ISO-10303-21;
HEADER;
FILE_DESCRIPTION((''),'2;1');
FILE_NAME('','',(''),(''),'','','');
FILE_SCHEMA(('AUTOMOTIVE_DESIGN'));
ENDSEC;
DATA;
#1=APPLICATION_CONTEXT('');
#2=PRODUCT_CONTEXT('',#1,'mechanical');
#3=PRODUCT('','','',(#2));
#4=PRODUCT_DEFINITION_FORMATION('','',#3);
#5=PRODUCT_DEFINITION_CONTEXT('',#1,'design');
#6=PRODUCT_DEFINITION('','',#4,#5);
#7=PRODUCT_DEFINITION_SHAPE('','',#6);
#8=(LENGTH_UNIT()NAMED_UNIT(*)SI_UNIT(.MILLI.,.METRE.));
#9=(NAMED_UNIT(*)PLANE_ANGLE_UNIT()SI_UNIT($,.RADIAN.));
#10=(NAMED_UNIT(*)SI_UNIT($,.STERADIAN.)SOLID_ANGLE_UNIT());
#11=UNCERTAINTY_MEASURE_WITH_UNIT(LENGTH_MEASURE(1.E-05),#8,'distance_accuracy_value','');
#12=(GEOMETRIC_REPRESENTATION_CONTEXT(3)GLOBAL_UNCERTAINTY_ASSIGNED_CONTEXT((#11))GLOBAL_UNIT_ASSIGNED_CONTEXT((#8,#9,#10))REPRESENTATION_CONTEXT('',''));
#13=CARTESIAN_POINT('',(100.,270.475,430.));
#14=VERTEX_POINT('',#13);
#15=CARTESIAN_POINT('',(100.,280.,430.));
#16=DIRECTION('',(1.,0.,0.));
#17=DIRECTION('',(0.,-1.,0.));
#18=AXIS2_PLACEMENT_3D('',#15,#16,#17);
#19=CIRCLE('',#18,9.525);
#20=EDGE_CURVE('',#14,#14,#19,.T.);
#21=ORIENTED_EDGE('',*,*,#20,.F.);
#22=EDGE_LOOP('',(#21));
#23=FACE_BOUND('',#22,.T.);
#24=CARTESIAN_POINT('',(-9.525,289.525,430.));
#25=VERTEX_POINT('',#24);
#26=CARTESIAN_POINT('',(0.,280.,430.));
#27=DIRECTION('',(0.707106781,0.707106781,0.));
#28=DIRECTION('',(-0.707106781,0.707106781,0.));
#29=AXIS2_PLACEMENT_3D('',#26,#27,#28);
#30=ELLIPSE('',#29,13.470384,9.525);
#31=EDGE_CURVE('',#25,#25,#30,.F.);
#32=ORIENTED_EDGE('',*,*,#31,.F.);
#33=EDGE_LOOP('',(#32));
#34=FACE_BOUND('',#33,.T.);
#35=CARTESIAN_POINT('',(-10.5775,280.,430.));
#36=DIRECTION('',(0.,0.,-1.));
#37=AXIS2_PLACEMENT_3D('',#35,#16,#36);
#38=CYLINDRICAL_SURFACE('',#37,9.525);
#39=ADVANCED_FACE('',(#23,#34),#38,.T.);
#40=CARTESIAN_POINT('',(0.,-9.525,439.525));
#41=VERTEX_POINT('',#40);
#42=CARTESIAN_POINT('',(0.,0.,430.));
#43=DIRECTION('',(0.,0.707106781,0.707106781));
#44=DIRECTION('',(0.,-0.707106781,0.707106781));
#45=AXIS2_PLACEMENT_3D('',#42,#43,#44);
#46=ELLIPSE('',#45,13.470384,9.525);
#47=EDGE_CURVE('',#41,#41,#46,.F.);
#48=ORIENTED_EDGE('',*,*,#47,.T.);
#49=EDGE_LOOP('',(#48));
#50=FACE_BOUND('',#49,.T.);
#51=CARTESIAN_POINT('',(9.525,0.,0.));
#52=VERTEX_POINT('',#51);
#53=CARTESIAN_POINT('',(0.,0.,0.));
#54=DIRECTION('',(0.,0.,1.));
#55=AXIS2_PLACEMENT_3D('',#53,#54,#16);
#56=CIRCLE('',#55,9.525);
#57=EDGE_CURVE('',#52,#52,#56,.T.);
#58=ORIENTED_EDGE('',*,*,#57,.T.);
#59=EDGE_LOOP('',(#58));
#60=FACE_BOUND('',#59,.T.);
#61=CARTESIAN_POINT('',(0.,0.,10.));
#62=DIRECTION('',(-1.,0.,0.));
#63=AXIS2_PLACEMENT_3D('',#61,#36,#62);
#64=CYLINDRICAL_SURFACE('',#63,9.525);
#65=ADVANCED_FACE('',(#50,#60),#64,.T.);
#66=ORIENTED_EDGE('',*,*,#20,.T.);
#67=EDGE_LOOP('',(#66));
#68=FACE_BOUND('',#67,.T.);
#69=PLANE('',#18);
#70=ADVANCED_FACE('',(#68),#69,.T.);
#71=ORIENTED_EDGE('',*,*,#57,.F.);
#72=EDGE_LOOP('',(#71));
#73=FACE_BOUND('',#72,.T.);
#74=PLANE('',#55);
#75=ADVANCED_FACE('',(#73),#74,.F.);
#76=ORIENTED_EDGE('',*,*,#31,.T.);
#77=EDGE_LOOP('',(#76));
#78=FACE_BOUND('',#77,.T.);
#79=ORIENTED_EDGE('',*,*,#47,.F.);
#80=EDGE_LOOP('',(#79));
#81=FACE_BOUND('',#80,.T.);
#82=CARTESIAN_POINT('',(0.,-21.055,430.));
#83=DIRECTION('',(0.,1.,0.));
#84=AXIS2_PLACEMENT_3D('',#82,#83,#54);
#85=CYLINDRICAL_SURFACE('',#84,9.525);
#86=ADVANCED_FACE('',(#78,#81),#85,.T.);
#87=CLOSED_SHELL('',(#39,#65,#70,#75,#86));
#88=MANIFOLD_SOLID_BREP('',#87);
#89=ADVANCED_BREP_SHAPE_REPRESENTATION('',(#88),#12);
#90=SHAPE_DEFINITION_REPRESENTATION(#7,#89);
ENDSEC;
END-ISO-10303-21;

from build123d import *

# Parameters (mm, degrees)
CROQUIS1_R              = 9.525
SALIENTE_EXTRUIR1_DEPTH = 10
CROQUIS2_R              = 9.525


with BuildPart() as part:
    # Croquis1 → Saliente-Extruir1 (new body)
    with BuildSketch(Plane.XY):
        Circle(CROQUIS1_R)
    extrude(amount=SALIENTE_EXTRUIR1_DEPTH)

    # Barrer1: sweep along a curve in space
    with BuildLine() as barrer1_path:
        Line((0, 0, 10), (0, 0, 430))
        Line((0, 0, 430), (0, 280, 430))
        Line((0, 280, 430), (100, 280, 430))
    # Croquis2 → Barrer1 (sweep)
    with BuildSketch(Plane.XY.offset(10)):
        Circle(CROQUIS2_R)
    sweep(path=barrer1_path.line, transition=Transition.RIGHT)


solid = part.part
